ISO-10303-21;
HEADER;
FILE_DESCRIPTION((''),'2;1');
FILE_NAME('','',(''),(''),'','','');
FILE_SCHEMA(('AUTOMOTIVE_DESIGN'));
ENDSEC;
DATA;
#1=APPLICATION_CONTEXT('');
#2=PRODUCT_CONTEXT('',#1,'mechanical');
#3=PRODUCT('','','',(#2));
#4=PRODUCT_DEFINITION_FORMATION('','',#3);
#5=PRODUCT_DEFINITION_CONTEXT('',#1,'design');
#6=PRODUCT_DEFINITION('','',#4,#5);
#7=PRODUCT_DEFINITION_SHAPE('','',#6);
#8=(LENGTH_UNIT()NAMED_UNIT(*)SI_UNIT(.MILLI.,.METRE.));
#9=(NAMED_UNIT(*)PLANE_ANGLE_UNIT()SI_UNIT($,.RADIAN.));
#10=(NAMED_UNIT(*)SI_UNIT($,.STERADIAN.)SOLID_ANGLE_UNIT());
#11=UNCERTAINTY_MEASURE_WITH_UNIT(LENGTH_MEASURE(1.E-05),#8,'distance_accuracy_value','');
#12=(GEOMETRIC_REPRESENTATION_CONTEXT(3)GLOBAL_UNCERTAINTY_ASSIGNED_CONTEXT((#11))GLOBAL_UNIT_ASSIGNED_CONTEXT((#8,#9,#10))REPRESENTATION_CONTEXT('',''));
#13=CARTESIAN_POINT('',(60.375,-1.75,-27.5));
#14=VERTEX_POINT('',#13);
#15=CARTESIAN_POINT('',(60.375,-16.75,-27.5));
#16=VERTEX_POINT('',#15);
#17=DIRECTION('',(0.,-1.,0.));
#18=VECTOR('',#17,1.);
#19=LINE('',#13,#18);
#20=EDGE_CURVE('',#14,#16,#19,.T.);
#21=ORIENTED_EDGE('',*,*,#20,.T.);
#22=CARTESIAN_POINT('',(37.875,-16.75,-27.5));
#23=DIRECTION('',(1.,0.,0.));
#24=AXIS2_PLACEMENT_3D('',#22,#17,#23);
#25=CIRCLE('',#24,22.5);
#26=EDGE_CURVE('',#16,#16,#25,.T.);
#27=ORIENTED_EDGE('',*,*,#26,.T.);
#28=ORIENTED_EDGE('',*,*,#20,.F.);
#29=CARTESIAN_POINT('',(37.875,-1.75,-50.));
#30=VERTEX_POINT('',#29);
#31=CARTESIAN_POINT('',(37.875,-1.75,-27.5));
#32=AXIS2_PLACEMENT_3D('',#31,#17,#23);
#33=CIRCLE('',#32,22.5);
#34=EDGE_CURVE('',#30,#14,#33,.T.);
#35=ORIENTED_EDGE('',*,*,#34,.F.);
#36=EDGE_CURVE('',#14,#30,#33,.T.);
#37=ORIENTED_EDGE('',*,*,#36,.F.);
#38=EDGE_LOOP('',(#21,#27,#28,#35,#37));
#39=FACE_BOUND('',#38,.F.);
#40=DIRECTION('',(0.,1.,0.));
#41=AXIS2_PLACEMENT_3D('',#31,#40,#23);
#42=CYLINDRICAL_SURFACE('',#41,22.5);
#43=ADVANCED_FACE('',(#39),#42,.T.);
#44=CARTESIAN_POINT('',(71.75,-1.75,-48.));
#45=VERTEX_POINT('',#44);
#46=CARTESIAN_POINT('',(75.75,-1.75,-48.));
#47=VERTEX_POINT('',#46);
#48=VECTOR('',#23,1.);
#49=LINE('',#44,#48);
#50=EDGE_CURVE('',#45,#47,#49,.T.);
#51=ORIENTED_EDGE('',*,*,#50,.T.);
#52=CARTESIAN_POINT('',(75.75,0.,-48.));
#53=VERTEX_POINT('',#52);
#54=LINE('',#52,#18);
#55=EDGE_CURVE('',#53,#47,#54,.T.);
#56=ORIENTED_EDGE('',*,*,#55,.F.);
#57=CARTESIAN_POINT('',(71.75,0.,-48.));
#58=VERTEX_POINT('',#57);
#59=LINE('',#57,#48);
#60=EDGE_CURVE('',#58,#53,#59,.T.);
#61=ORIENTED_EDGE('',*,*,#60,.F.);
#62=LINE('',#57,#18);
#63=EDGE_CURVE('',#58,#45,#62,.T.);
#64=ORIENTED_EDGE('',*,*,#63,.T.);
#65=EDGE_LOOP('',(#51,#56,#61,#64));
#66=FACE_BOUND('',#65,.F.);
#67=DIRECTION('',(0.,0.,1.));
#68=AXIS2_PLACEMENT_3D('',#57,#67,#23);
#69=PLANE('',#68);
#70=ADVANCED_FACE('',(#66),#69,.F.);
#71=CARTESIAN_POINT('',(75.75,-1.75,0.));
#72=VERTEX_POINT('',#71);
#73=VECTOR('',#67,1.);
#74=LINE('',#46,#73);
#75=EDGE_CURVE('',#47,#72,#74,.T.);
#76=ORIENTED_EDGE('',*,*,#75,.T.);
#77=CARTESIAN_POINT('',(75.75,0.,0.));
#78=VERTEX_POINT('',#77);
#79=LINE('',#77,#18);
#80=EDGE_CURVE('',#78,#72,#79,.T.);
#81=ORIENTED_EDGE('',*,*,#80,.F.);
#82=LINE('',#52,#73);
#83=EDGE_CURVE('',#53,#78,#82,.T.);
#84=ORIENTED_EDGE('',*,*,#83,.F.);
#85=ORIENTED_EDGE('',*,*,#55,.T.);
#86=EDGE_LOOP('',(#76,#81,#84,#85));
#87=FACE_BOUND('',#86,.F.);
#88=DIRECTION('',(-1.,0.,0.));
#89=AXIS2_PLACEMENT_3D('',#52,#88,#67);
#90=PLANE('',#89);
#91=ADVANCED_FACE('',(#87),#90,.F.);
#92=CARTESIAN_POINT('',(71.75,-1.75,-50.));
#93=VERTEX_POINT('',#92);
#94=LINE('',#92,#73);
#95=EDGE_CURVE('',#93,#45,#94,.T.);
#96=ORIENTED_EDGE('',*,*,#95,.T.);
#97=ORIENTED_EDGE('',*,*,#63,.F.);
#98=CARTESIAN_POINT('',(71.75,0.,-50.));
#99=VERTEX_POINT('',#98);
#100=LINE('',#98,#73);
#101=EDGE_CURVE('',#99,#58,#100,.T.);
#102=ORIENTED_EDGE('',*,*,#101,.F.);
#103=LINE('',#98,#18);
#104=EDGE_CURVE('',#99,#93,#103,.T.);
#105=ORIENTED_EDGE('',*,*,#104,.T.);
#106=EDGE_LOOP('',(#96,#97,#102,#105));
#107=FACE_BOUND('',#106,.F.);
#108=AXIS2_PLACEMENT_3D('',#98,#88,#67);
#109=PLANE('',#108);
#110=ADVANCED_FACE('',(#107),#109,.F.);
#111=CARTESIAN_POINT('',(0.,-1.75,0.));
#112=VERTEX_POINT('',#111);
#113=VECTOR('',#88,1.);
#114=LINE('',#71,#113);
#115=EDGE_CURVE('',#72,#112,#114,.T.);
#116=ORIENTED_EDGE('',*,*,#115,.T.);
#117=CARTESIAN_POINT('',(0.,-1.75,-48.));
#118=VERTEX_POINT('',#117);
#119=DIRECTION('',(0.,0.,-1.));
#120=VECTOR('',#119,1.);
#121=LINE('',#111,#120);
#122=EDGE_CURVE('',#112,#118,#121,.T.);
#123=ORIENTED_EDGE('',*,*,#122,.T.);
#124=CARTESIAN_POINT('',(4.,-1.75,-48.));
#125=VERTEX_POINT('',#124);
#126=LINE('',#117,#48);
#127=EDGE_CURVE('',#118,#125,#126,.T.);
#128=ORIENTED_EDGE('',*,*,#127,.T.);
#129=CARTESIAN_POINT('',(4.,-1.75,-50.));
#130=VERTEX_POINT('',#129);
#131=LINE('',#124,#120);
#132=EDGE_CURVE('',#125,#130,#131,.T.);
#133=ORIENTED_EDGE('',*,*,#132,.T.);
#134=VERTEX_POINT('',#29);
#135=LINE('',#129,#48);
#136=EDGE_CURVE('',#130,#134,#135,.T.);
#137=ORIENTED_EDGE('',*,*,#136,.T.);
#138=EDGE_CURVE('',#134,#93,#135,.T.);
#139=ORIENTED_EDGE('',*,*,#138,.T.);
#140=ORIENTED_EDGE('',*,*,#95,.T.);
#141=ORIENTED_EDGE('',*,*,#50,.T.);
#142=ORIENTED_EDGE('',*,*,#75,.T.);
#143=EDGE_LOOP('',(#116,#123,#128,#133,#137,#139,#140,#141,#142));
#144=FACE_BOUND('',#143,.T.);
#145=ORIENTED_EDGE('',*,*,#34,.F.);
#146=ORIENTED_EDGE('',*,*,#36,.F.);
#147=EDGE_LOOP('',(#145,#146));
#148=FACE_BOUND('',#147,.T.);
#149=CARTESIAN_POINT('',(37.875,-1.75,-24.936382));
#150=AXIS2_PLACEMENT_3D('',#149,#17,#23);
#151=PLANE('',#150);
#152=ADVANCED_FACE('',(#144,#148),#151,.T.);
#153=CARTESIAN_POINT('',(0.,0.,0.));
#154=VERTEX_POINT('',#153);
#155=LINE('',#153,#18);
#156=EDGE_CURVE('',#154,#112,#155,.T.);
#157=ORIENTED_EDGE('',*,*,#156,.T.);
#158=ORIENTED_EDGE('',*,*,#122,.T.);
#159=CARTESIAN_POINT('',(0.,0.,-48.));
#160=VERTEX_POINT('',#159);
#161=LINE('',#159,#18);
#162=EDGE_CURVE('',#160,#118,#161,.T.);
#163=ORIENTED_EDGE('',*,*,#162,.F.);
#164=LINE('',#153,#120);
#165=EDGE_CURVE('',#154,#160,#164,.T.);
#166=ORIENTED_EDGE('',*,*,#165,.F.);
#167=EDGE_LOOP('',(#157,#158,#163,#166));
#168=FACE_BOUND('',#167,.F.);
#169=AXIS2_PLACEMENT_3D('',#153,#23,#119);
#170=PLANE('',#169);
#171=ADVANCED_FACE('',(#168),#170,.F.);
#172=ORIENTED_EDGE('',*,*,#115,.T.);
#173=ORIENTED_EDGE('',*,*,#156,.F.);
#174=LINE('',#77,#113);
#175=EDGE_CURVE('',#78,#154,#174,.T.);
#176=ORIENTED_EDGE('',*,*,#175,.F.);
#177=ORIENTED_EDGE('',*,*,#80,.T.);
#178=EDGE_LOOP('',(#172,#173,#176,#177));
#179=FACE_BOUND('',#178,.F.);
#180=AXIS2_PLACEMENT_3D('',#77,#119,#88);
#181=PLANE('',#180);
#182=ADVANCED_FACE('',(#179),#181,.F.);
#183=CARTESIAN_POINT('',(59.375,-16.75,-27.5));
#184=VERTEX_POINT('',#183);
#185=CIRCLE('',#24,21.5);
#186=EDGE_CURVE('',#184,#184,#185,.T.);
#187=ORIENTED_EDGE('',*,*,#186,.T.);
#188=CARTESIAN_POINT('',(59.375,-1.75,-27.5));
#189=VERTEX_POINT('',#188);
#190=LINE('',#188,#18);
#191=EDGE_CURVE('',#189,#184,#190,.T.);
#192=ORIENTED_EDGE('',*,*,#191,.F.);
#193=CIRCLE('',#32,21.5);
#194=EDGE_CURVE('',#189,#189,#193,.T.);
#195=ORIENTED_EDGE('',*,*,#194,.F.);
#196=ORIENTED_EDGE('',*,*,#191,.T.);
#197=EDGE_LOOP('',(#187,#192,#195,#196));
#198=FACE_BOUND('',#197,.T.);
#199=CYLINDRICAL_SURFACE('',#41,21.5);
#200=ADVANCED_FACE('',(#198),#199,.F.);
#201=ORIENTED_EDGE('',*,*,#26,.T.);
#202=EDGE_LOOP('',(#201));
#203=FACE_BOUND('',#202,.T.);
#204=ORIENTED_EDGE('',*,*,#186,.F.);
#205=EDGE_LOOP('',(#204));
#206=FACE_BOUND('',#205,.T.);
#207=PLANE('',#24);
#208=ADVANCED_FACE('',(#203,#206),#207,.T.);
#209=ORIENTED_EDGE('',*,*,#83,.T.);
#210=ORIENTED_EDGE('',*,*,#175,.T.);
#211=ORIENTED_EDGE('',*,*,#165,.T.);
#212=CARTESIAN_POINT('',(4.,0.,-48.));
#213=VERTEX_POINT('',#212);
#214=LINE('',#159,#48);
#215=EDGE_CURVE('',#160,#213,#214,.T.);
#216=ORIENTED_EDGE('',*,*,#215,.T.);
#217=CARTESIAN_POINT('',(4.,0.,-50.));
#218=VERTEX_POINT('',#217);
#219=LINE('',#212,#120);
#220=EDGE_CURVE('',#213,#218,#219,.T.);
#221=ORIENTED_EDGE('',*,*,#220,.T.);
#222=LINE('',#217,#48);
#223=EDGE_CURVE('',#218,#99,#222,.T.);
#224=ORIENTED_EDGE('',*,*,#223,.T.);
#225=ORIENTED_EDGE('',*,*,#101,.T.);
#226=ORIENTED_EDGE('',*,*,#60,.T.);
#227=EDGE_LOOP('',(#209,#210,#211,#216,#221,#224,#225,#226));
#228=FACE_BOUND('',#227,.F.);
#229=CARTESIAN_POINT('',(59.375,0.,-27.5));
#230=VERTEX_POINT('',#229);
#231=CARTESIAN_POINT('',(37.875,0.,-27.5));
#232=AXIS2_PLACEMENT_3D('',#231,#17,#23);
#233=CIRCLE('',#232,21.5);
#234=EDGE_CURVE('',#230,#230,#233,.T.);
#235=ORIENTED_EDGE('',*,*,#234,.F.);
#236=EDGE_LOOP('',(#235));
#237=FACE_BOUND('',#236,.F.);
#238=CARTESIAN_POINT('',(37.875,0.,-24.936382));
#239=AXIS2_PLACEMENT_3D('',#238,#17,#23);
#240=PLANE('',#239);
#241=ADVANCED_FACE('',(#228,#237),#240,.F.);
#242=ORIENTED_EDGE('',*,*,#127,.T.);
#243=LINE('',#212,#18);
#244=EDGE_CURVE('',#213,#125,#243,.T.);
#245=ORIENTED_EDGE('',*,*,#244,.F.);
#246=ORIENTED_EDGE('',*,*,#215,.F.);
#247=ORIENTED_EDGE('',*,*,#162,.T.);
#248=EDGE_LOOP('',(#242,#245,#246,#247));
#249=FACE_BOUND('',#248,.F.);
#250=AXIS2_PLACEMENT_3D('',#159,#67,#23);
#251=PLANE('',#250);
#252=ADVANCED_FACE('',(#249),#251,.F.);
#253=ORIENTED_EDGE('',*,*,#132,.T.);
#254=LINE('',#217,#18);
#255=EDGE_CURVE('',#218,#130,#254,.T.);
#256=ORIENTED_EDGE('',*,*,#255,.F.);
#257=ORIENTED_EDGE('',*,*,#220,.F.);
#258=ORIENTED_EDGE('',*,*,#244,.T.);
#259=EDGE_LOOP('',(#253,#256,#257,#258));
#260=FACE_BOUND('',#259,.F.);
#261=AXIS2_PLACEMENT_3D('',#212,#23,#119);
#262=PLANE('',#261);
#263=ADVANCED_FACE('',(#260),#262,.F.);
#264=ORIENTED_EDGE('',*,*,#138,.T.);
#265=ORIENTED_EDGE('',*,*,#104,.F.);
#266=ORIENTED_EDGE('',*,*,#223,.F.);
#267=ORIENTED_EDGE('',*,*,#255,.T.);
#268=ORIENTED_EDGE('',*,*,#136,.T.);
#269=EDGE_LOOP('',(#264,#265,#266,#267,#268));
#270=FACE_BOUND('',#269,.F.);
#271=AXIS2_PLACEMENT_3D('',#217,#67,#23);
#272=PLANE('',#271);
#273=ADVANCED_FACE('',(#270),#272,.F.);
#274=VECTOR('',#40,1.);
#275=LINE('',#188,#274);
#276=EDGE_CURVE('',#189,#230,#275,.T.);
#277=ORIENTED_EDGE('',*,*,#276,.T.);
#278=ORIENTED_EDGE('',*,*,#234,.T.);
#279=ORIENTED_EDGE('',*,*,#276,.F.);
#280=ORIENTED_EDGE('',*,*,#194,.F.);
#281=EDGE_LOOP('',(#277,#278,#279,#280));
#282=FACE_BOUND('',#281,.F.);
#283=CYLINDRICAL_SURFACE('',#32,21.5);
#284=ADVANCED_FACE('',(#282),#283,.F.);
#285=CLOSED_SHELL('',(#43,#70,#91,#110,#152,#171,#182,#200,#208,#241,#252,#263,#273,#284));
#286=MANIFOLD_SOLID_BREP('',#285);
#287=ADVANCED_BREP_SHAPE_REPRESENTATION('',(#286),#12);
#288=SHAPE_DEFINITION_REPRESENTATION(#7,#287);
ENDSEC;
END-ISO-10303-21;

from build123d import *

# Parameters (mm, degrees)
F1_DEPTH = 1.75
F2_R     = 21.5
F3_DEPTH = 25
F4_R     = 21.5
F5_DEPTH = 15


with BuildPart() as f1:
    # F0 (on Front) → F1 (new body)
    with BuildSketch(Plane.XZ):
        Polygon((75.75, 0), (0, 0), (0, -48), (4, -48), (4, -50), (71.75, -50), (71.75, -48), (75.75, -48), align=None)
    extrude(amount=F1_DEPTH)

    # F2 (on face) → F3 (cut)
    with BuildSketch(Plane.XZ.offset(1.75)):
        with Locations((37.875, -27.5)):
            Circle(F2_R)
    extrude(amount=-F3_DEPTH, mode=Mode.SUBTRACT)

    # F4 (on face) → F5 (join)
    with BuildSketch(Plane.XZ.offset(1.75)):
        with BuildLine():
            ThreePointArc((37.875, -50), (53.7849025767, -43.4099025767), (60.375, -27.5))
            ThreePointArc((60.375, -27.5), (21.9650974233, -11.5900974233), (37.875, -50))
        make_face()
        with Locations((37.875, -27.5)):
            Circle(F4_R, mode=Mode.SUBTRACT)
    extrude(amount=F5_DEPTH)


solid = f1.part
